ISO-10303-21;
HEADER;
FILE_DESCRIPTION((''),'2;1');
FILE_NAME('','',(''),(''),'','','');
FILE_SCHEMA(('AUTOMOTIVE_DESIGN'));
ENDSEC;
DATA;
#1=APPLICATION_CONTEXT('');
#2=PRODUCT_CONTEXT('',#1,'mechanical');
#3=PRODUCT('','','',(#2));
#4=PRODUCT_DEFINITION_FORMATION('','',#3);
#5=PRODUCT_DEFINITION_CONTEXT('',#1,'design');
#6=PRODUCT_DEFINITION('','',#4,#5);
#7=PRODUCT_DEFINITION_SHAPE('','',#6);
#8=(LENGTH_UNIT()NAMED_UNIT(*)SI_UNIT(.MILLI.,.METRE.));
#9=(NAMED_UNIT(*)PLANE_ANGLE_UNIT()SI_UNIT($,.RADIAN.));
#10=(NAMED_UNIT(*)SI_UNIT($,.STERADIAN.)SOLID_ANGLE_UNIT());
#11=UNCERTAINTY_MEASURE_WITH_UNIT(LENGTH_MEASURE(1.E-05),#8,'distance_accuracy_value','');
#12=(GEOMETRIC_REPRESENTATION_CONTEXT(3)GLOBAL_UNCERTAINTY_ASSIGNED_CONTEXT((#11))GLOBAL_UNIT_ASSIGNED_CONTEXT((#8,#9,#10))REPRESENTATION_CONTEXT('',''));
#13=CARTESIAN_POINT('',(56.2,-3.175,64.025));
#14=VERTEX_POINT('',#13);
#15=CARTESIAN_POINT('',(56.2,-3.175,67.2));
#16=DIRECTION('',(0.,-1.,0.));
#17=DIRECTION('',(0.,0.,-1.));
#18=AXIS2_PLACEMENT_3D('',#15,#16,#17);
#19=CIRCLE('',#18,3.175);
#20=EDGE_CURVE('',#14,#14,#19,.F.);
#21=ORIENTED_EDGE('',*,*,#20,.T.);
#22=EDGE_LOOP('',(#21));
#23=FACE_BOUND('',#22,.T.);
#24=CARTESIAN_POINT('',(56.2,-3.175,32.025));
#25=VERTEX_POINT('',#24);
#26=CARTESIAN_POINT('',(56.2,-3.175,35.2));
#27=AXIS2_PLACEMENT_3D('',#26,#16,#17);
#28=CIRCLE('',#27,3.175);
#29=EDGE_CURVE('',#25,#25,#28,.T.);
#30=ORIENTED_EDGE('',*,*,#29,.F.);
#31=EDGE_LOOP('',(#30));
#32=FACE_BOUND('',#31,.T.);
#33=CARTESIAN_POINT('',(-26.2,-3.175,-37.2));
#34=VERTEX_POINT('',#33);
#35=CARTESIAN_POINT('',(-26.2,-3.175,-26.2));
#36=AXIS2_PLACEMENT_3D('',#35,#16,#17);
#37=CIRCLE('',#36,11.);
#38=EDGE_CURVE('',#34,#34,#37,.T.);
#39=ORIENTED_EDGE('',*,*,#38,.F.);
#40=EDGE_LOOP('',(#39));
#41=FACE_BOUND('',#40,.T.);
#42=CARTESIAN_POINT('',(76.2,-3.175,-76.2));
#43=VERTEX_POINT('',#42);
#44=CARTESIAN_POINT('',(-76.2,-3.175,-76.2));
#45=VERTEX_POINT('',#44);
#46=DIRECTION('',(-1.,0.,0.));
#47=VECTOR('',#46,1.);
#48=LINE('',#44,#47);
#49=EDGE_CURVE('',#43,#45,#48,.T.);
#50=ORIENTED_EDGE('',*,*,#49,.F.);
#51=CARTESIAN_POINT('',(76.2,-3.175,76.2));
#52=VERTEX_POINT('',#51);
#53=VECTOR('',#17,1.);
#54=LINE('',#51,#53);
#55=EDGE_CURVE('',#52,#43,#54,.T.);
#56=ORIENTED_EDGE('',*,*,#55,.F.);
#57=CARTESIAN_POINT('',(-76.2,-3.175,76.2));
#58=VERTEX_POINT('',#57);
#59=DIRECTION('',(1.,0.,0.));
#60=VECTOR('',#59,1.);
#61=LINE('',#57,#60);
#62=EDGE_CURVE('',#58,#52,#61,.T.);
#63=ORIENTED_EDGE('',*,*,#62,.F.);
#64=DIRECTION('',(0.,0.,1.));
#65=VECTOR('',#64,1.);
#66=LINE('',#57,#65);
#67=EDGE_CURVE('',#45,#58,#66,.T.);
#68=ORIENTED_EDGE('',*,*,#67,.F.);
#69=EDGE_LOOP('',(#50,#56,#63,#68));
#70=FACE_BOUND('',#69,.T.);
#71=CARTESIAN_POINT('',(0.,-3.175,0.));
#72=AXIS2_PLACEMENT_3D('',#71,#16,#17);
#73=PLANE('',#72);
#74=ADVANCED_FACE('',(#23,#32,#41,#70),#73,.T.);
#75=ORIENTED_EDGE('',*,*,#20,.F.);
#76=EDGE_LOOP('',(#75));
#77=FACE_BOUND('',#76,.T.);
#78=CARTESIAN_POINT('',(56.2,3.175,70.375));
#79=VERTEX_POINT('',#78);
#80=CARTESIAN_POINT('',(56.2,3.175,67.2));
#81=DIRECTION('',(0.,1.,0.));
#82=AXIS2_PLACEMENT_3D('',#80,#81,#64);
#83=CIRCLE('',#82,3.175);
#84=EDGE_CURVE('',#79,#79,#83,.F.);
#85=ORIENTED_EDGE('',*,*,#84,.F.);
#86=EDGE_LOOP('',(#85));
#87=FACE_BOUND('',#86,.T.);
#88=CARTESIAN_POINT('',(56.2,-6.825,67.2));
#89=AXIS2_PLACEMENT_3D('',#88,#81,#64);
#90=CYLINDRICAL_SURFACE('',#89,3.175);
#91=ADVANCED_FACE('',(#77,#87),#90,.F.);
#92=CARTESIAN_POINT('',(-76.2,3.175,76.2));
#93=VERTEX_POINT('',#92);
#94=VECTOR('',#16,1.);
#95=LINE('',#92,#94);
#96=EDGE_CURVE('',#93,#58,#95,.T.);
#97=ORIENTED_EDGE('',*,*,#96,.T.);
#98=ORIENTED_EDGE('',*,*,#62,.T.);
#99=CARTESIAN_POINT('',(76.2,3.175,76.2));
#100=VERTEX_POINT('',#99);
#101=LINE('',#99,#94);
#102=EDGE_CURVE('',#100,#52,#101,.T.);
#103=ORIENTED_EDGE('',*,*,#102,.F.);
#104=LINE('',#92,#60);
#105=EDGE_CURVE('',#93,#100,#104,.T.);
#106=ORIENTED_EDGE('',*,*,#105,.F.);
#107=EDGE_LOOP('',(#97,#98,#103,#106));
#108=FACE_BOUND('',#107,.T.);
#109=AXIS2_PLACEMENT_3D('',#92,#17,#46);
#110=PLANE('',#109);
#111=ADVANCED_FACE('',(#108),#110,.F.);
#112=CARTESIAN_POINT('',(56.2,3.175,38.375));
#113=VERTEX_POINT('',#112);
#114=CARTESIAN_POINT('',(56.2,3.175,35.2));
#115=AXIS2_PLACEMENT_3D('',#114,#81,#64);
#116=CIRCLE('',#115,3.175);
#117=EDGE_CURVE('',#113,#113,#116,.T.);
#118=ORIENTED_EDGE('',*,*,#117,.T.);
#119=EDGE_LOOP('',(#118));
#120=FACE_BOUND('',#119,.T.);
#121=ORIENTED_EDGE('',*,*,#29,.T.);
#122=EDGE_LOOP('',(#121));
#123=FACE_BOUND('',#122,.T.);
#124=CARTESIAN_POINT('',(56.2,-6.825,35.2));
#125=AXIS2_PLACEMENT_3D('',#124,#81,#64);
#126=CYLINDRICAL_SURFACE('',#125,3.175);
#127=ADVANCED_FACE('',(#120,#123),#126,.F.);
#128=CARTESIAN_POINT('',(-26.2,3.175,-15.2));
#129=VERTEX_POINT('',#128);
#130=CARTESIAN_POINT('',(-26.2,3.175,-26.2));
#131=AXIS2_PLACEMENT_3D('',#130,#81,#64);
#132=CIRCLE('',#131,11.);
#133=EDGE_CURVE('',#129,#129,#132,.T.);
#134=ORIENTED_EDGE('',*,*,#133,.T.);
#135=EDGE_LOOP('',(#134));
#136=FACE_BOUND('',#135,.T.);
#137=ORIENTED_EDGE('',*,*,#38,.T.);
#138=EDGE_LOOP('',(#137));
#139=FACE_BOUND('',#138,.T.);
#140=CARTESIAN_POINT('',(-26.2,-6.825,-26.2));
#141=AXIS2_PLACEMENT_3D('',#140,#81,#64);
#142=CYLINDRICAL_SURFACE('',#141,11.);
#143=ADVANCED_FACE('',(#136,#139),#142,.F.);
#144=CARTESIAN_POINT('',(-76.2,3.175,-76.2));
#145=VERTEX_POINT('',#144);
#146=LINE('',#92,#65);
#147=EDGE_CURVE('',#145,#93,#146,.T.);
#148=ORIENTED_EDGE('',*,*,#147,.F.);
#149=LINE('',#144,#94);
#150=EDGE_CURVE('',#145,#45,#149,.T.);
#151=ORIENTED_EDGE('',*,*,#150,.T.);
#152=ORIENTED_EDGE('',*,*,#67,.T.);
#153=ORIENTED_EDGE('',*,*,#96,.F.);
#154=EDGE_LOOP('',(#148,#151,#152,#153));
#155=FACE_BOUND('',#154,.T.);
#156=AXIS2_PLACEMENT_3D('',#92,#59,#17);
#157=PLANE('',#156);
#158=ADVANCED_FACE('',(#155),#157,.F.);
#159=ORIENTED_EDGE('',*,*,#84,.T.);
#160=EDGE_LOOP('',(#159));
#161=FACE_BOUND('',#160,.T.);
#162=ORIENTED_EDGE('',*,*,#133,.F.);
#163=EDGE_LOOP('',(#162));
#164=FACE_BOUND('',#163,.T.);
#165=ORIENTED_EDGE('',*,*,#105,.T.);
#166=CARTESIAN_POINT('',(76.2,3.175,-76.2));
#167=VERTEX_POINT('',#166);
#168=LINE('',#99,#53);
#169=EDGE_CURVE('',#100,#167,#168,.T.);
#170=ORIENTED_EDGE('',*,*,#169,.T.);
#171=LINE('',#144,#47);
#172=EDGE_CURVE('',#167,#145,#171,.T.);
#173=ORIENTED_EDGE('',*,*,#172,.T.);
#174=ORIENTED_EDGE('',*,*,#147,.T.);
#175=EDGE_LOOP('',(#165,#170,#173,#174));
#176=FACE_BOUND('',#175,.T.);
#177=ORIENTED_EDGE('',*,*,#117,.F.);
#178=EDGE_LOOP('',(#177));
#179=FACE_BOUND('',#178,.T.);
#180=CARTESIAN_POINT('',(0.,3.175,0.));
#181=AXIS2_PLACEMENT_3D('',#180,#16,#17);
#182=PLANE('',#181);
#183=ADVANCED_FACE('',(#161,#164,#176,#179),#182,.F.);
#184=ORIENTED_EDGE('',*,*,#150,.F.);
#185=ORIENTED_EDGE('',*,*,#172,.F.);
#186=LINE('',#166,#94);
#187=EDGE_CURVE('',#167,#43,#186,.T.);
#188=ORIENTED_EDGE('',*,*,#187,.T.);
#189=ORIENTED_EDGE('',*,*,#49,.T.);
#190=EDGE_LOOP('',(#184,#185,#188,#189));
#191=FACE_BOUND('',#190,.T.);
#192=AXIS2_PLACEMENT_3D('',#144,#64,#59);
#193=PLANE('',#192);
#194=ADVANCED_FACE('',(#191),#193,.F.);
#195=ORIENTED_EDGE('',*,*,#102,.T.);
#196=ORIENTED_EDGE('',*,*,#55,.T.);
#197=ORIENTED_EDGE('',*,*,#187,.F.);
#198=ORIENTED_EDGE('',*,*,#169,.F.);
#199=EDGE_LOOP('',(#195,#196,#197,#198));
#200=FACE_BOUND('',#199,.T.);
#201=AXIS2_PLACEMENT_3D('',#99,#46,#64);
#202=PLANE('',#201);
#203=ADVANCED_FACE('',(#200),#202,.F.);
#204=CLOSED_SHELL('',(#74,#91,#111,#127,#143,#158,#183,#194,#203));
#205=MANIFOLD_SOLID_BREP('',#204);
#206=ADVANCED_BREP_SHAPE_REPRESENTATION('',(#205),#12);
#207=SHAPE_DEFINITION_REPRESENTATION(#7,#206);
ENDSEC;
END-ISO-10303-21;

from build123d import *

# Parameters (mm, degrees)
SKETCH3_W           = 152.4
SKETCH3_H           = 152.4
BOSS_EXTRUDE1_DEPTH = 3.175
SKETCH4_R           = 11
CUT_EXTRUDE1_DEPTH  = 10
SKETCH5_R           = 3.175
CUT_EXTRUDE5_DEPTH  = 10


with BuildPart() as part:
    # Sketch3 → Boss-Extrude1 (new, symmetric)
    with BuildSketch(Plane(origin=(0, 0, 0), x_dir=(1, 0, 0), z_dir=(0, 1, 0))):
        Rectangle(SKETCH3_W, SKETCH3_H)
    extrude(amount=BOSS_EXTRUDE1_DEPTH, both=True)

    # Sketch4 → Cut-Extrude1 (cut)
    with BuildSketch(Plane(origin=(0, 3.175, 0), x_dir=(1, 0, 0), z_dir=(0, 1, 0))):
        with Locations(Location((-26.2, 26.2, 0), (0, 0, 270))):
            Circle(SKETCH4_R)
    extrude(amount=-CUT_EXTRUDE1_DEPTH, mode=Mode.SUBTRACT)

    # Sketch5 → Cut-Extrude5 (cut)
    with BuildSketch(Plane(origin=(0, 3.175, 0), x_dir=(1, 0, 0), z_dir=(0, 1, 0))):
        with Locations(Location((56.2, -35.2, 0), (0, 0, 270))):
            Circle(SKETCH5_R)
        with Locations(Location((56.2, -67.2, 0), (0, 0, 270))):
            Circle(SKETCH5_R)
    extrude(amount=-CUT_EXTRUDE5_DEPTH, mode=Mode.SUBTRACT)


solid = part.part
